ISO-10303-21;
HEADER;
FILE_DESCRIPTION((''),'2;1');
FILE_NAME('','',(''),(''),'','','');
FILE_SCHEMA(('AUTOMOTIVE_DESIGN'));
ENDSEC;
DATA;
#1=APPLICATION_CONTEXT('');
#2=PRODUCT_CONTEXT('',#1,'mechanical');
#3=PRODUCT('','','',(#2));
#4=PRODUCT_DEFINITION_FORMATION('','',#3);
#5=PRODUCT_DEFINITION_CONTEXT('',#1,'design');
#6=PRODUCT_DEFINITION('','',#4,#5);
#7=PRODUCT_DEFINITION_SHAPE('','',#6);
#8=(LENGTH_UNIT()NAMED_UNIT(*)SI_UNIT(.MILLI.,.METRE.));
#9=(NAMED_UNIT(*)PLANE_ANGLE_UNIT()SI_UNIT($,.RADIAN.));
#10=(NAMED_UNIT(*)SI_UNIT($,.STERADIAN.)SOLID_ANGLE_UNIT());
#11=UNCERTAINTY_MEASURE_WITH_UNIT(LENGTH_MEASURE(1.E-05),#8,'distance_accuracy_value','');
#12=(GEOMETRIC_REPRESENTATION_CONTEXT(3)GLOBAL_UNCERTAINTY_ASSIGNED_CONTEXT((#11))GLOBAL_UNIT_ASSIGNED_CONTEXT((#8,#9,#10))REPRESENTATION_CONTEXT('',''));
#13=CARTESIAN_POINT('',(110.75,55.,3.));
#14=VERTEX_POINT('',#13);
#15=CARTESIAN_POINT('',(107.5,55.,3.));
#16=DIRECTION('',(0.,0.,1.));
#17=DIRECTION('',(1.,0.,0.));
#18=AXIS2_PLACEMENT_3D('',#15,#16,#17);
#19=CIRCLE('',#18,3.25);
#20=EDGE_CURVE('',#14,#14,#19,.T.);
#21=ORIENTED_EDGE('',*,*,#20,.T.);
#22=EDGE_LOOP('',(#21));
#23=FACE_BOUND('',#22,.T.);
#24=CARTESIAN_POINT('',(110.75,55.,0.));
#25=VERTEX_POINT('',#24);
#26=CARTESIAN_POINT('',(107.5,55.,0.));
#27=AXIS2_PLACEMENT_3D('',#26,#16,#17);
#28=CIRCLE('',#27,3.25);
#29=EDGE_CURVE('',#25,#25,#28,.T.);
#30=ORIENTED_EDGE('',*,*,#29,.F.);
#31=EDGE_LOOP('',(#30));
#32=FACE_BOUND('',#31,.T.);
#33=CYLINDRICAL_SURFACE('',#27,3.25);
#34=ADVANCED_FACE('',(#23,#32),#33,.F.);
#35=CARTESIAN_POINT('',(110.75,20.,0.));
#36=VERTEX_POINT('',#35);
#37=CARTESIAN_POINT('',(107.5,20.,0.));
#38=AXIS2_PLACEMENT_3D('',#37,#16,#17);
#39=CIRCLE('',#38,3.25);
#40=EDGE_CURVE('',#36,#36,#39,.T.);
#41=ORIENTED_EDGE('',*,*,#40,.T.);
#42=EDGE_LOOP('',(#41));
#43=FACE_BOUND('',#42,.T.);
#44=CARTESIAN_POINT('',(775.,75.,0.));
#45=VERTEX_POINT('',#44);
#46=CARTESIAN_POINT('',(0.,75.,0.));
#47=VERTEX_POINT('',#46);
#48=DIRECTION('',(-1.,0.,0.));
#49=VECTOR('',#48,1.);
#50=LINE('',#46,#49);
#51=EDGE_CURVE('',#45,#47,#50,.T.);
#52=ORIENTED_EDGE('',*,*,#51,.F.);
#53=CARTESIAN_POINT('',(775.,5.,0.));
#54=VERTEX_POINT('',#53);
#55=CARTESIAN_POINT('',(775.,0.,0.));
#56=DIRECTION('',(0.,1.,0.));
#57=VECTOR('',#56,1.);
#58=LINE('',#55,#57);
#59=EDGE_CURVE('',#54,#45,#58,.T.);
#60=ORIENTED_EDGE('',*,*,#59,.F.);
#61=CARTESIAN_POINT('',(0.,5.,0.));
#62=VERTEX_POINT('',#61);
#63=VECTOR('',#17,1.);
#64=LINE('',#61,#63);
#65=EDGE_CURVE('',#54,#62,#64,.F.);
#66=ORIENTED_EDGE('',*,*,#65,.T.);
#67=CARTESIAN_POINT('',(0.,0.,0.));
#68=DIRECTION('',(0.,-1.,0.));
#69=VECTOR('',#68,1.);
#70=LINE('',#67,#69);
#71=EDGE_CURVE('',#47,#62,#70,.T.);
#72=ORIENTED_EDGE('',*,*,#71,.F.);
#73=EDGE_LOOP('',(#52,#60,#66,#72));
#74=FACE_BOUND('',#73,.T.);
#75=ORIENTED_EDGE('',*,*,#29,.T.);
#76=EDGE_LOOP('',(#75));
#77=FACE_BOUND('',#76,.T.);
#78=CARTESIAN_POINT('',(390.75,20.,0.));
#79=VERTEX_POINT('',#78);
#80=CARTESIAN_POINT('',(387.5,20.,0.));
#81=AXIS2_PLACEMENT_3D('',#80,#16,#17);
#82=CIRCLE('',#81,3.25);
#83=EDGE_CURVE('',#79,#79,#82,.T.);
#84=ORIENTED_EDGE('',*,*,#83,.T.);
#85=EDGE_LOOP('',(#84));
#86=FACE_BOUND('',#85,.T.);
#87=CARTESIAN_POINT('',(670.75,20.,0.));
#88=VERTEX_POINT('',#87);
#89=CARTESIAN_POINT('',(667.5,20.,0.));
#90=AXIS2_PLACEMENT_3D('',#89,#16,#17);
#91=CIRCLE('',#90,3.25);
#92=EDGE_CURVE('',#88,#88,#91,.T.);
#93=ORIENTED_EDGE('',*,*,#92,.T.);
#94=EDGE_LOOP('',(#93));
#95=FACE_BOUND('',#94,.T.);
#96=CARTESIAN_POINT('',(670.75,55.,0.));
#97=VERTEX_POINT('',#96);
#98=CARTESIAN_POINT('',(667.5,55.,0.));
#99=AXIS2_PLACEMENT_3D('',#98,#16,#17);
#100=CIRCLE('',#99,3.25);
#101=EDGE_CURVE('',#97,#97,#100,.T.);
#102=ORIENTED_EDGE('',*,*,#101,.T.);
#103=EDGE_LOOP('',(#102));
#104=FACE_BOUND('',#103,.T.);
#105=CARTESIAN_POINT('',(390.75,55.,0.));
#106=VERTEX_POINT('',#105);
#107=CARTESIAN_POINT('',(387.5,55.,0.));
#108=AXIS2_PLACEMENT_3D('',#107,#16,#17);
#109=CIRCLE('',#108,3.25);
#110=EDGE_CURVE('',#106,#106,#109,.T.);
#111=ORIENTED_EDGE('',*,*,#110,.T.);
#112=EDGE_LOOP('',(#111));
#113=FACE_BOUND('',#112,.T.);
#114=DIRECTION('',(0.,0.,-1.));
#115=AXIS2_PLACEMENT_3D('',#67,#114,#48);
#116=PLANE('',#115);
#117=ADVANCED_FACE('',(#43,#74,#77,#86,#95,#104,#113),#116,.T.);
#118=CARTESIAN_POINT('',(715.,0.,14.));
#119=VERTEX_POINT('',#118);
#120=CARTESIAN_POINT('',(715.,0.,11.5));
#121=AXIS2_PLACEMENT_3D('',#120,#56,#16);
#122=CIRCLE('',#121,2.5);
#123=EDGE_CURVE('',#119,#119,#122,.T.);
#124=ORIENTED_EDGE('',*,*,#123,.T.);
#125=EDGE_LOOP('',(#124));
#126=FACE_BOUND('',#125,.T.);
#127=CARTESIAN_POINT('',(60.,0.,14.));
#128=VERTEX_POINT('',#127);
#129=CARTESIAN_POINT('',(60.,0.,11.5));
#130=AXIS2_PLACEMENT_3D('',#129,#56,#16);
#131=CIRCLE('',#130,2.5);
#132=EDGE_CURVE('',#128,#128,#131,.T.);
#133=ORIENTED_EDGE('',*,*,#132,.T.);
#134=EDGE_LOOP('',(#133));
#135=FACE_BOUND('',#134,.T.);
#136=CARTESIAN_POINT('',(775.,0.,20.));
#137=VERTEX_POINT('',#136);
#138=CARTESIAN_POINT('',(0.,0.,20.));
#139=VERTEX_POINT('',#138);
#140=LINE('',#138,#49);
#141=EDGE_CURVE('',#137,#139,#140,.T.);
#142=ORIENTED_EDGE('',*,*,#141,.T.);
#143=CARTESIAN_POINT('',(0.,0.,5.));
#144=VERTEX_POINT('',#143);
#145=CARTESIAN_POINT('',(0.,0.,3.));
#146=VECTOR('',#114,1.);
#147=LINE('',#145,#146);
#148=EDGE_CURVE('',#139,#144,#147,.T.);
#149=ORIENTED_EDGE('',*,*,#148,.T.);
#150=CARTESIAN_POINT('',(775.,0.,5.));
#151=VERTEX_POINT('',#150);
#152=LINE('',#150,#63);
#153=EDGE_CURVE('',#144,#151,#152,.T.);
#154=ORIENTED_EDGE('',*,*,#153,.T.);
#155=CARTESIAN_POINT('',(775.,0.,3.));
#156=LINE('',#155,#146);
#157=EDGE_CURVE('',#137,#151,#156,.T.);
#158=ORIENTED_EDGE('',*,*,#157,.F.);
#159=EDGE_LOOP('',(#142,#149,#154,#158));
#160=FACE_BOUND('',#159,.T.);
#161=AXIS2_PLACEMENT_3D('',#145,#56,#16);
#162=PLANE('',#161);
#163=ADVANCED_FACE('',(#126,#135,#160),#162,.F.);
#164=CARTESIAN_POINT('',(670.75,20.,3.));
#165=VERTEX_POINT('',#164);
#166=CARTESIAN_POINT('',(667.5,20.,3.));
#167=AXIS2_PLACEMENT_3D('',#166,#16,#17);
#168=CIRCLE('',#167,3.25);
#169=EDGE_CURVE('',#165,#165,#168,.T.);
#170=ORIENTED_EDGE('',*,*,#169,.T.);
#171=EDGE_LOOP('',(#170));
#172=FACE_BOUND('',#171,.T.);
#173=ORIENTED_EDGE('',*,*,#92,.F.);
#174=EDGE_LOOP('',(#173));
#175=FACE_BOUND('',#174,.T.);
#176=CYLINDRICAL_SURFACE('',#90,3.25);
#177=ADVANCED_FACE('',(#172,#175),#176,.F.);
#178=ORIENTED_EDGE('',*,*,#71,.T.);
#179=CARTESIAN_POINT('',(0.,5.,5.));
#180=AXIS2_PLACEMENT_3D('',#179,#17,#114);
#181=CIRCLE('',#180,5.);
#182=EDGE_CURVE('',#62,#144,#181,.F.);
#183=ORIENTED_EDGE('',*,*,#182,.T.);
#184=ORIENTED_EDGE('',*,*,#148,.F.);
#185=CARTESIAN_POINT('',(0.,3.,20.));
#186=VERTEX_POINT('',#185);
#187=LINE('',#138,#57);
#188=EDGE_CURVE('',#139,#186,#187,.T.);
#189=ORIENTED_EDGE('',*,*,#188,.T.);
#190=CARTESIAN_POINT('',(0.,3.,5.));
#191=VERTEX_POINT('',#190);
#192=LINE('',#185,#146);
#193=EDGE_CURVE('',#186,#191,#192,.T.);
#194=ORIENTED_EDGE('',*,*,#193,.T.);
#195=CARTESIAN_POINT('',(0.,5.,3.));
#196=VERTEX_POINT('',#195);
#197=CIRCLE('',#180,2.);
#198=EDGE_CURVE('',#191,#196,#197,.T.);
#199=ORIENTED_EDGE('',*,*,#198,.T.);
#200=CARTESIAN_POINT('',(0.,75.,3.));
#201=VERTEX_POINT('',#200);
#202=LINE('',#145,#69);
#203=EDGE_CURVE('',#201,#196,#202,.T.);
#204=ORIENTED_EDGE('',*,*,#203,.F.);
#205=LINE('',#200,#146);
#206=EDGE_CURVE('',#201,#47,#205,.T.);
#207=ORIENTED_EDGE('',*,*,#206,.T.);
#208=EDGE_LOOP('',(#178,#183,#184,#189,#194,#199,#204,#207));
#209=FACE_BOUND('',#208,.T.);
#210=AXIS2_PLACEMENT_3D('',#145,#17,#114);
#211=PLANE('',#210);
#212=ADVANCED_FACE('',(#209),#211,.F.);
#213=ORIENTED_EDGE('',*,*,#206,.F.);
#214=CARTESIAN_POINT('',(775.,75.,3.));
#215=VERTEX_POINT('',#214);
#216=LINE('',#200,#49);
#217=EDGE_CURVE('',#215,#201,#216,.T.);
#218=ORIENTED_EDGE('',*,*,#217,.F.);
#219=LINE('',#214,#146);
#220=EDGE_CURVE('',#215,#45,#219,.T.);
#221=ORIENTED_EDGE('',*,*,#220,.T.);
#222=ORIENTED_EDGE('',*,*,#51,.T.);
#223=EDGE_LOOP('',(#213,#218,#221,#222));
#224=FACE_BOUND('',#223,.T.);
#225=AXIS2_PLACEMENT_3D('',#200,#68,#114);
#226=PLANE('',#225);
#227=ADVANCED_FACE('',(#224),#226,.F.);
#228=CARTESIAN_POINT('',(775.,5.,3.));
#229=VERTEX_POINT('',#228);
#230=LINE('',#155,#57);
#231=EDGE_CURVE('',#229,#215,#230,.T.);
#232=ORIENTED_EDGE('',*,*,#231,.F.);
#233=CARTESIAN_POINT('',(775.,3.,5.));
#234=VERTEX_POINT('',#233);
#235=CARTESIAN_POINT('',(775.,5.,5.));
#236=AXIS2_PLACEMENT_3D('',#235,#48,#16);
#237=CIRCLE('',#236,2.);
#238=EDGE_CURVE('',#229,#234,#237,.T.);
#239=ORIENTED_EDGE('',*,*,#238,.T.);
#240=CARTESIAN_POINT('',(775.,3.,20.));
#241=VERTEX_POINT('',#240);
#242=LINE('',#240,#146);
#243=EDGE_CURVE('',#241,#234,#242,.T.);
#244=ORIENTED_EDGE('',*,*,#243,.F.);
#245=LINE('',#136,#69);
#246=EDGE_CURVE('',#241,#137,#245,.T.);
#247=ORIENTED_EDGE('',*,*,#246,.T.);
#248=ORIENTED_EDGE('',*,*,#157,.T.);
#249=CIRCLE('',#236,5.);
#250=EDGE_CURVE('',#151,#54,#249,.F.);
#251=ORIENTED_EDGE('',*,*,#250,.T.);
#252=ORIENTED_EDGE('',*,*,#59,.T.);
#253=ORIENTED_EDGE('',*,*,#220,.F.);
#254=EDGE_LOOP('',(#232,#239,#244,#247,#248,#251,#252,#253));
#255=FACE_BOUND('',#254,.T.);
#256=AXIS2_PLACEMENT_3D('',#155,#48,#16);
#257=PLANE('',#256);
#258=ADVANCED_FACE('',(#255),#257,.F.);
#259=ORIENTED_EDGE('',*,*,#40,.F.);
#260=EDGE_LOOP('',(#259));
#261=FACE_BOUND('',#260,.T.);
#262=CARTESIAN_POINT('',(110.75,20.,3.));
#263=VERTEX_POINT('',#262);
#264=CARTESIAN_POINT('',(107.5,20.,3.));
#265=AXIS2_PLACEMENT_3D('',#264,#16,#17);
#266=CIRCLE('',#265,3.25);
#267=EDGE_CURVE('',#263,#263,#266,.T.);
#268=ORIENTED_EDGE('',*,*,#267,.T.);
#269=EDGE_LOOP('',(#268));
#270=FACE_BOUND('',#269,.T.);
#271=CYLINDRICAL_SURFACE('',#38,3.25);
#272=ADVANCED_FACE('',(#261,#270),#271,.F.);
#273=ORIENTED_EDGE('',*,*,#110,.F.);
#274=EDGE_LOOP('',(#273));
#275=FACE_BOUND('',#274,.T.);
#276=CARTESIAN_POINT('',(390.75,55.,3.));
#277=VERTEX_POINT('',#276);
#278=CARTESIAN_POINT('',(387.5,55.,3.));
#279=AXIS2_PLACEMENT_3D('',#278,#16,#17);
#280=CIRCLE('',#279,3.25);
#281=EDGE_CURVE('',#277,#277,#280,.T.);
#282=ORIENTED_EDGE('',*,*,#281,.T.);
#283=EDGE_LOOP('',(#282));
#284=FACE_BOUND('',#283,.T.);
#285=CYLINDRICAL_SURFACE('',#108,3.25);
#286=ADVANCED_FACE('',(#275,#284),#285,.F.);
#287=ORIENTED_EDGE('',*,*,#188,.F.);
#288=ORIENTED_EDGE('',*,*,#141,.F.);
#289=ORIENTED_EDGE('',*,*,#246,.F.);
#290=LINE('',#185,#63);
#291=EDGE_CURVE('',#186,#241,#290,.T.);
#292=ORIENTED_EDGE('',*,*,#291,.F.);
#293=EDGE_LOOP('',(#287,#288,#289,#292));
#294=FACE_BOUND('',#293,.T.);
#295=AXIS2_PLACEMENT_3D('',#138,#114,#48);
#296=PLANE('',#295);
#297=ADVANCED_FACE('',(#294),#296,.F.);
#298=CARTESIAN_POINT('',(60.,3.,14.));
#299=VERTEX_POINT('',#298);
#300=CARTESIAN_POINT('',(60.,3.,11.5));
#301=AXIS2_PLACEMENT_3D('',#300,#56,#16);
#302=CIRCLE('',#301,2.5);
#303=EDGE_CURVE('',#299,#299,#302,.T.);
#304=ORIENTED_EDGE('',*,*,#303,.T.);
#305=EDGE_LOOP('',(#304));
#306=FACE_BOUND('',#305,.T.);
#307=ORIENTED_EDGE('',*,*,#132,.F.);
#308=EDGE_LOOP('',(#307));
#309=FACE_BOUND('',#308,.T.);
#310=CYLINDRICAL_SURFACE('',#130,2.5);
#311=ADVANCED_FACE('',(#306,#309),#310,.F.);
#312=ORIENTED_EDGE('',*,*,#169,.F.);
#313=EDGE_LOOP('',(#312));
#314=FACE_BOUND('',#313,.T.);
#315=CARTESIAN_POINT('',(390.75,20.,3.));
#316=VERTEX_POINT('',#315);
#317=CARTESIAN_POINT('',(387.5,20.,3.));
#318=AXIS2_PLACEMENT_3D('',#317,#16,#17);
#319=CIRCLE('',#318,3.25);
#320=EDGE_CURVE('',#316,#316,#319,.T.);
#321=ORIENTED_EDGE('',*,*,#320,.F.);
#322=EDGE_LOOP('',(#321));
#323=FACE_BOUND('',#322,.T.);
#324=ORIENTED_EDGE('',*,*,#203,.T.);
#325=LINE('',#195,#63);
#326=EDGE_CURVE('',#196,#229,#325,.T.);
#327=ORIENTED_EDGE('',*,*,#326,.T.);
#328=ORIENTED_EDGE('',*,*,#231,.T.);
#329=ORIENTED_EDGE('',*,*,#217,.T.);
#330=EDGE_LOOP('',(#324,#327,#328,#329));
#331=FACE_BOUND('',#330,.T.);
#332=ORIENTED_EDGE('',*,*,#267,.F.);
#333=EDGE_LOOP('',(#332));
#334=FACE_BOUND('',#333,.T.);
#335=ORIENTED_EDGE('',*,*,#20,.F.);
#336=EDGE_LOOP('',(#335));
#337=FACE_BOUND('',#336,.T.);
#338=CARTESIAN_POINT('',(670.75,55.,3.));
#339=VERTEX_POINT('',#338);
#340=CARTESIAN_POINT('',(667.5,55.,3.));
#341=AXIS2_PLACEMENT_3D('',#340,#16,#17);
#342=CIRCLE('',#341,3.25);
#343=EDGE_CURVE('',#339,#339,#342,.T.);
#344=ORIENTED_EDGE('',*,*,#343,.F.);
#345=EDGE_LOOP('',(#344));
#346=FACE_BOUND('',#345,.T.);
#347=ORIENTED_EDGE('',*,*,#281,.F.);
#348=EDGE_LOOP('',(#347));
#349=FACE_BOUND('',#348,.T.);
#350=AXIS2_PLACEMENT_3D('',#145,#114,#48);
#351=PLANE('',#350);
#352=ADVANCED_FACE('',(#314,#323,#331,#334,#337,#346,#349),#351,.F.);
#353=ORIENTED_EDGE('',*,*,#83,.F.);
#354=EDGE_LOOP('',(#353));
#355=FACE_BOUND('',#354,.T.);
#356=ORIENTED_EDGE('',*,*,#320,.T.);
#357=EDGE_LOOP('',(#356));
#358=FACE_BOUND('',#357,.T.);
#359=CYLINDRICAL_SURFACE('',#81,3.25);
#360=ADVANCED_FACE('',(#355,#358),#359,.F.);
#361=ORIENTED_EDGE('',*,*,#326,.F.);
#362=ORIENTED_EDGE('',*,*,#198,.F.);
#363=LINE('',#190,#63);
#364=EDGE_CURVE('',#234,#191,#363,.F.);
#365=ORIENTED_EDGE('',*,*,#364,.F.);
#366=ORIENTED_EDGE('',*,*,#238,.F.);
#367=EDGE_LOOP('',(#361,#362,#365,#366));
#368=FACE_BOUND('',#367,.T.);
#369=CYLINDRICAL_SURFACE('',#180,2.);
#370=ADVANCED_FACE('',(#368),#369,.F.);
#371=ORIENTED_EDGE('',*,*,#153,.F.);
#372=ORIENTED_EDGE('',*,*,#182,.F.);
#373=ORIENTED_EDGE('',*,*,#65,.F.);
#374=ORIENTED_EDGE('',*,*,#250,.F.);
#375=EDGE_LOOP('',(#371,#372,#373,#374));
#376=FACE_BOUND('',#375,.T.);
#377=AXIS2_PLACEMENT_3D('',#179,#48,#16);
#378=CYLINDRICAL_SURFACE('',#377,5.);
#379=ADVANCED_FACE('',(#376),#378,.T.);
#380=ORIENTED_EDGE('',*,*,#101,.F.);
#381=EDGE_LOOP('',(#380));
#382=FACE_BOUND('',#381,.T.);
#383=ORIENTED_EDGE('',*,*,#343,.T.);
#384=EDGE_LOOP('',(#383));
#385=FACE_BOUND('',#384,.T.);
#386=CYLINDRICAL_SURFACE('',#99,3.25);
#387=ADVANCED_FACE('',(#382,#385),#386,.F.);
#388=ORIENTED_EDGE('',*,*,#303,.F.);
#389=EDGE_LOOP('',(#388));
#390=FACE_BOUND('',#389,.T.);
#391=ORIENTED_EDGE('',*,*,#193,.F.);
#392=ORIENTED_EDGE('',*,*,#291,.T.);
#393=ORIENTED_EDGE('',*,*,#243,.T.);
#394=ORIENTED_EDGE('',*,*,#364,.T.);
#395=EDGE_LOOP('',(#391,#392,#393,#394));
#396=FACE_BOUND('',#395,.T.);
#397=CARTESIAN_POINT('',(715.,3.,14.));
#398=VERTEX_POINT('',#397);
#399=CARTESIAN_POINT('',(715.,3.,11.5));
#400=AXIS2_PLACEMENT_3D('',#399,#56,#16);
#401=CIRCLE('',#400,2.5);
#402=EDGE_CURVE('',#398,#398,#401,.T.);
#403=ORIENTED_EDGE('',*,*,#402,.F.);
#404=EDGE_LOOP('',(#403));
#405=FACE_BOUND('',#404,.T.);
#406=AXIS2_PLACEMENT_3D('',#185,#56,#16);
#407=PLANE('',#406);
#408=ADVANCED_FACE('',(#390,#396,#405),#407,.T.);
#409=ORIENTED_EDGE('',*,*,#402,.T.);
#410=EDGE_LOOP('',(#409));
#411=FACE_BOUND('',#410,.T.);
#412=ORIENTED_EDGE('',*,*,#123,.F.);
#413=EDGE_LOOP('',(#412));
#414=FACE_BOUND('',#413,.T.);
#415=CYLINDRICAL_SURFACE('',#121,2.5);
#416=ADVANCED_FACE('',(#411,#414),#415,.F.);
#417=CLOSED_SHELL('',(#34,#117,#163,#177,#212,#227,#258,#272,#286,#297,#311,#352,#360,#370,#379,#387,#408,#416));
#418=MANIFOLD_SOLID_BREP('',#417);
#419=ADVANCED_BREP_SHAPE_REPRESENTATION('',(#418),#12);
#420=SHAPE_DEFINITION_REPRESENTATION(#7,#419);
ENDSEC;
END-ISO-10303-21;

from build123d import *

# Parameters (mm, degrees)
SKETCH_1_W          = 775
SKETCH_1_H          = 75
EXTRUDE_1_DEPTH     = 3
EXTRUDE_START       = -3
SKETCH_2_W          = 775
SKETCH_2_H          = 3
EXTRUDE_2_DEPTH     = 20
SKETCH_3_R          = 3.25
CUT_EXTRUDE_1_DEPTH = 779.806137623
FILLET_1_R          = 5
SKETCH_4_R          = 2.5
CUT_EXTRUDE_2_DEPTH = 779.594246061
FILLET_2_R          = 2


with BuildPart() as part:
    # 스케치1 → 보스-돌출1 (new body)
    with BuildSketch(Plane.XY):
        with Locations((387.5, 37.5)):
            Rectangle(SKETCH_1_W, SKETCH_1_H)
    extrude(amount=EXTRUDE_1_DEPTH)

    # 스케치2 → 보스-돌출2 (add)
    with BuildSketch(Plane.XY.offset(3).offset(EXTRUDE_START)):
        with Locations((387.5, 1.5)):
            Rectangle(SKETCH_2_W, SKETCH_2_H)
    extrude(amount=EXTRUDE_2_DEPTH)

    # 스케치3 → 컷-돌출1 (cut, through all)
    with BuildSketch(Plane.XY.offset(3)):
        with Locations((107.5, 55)):
            Circle(SKETCH_3_R)
        with Locations((107.5, 20)):
            Circle(SKETCH_3_R)
        with Locations((387.5, 55)):
            Circle(SKETCH_3_R)
        with Locations((387.5, 20)):
            Circle(SKETCH_3_R)
        with Locations((667.5, 55)):
            Circle(SKETCH_3_R)
        with Locations((667.5, 20)):
            Circle(SKETCH_3_R)
    extrude(amount=-CUT_EXTRUDE_1_DEPTH, mode=Mode.SUBTRACT)

    # 필렛1
    fillet_1_edges = [part.edges().sort_by_distance(p)[0] for p in [
        (387.5, 0, 0),
    ]]
    fillet(fillet_1_edges, radius=FILLET_1_R)

    # 스케치4 → 컷-돌출2 (cut, through all)
    with BuildSketch(Plane(origin=(0, 3, 0), x_dir=(1, 0, 0), z_dir=(0, 1, 0))):
        with Locations(Location((60, -11.5, 0), (0, 0, 270))):
            Circle(SKETCH_4_R)
        with Locations(Location((715, -11.5, 0), (0, 0, 270))):
            Circle(SKETCH_4_R)
    extrude(amount=-CUT_EXTRUDE_2_DEPTH, mode=Mode.SUBTRACT)

    # 필렛2
    fillet_2_edges = [part.edges().sort_by_distance(p)[0] for p in [
        (387.5, 3, 3),
    ]]
    fillet(fillet_2_edges, radius=FILLET_2_R)


solid = part.part
